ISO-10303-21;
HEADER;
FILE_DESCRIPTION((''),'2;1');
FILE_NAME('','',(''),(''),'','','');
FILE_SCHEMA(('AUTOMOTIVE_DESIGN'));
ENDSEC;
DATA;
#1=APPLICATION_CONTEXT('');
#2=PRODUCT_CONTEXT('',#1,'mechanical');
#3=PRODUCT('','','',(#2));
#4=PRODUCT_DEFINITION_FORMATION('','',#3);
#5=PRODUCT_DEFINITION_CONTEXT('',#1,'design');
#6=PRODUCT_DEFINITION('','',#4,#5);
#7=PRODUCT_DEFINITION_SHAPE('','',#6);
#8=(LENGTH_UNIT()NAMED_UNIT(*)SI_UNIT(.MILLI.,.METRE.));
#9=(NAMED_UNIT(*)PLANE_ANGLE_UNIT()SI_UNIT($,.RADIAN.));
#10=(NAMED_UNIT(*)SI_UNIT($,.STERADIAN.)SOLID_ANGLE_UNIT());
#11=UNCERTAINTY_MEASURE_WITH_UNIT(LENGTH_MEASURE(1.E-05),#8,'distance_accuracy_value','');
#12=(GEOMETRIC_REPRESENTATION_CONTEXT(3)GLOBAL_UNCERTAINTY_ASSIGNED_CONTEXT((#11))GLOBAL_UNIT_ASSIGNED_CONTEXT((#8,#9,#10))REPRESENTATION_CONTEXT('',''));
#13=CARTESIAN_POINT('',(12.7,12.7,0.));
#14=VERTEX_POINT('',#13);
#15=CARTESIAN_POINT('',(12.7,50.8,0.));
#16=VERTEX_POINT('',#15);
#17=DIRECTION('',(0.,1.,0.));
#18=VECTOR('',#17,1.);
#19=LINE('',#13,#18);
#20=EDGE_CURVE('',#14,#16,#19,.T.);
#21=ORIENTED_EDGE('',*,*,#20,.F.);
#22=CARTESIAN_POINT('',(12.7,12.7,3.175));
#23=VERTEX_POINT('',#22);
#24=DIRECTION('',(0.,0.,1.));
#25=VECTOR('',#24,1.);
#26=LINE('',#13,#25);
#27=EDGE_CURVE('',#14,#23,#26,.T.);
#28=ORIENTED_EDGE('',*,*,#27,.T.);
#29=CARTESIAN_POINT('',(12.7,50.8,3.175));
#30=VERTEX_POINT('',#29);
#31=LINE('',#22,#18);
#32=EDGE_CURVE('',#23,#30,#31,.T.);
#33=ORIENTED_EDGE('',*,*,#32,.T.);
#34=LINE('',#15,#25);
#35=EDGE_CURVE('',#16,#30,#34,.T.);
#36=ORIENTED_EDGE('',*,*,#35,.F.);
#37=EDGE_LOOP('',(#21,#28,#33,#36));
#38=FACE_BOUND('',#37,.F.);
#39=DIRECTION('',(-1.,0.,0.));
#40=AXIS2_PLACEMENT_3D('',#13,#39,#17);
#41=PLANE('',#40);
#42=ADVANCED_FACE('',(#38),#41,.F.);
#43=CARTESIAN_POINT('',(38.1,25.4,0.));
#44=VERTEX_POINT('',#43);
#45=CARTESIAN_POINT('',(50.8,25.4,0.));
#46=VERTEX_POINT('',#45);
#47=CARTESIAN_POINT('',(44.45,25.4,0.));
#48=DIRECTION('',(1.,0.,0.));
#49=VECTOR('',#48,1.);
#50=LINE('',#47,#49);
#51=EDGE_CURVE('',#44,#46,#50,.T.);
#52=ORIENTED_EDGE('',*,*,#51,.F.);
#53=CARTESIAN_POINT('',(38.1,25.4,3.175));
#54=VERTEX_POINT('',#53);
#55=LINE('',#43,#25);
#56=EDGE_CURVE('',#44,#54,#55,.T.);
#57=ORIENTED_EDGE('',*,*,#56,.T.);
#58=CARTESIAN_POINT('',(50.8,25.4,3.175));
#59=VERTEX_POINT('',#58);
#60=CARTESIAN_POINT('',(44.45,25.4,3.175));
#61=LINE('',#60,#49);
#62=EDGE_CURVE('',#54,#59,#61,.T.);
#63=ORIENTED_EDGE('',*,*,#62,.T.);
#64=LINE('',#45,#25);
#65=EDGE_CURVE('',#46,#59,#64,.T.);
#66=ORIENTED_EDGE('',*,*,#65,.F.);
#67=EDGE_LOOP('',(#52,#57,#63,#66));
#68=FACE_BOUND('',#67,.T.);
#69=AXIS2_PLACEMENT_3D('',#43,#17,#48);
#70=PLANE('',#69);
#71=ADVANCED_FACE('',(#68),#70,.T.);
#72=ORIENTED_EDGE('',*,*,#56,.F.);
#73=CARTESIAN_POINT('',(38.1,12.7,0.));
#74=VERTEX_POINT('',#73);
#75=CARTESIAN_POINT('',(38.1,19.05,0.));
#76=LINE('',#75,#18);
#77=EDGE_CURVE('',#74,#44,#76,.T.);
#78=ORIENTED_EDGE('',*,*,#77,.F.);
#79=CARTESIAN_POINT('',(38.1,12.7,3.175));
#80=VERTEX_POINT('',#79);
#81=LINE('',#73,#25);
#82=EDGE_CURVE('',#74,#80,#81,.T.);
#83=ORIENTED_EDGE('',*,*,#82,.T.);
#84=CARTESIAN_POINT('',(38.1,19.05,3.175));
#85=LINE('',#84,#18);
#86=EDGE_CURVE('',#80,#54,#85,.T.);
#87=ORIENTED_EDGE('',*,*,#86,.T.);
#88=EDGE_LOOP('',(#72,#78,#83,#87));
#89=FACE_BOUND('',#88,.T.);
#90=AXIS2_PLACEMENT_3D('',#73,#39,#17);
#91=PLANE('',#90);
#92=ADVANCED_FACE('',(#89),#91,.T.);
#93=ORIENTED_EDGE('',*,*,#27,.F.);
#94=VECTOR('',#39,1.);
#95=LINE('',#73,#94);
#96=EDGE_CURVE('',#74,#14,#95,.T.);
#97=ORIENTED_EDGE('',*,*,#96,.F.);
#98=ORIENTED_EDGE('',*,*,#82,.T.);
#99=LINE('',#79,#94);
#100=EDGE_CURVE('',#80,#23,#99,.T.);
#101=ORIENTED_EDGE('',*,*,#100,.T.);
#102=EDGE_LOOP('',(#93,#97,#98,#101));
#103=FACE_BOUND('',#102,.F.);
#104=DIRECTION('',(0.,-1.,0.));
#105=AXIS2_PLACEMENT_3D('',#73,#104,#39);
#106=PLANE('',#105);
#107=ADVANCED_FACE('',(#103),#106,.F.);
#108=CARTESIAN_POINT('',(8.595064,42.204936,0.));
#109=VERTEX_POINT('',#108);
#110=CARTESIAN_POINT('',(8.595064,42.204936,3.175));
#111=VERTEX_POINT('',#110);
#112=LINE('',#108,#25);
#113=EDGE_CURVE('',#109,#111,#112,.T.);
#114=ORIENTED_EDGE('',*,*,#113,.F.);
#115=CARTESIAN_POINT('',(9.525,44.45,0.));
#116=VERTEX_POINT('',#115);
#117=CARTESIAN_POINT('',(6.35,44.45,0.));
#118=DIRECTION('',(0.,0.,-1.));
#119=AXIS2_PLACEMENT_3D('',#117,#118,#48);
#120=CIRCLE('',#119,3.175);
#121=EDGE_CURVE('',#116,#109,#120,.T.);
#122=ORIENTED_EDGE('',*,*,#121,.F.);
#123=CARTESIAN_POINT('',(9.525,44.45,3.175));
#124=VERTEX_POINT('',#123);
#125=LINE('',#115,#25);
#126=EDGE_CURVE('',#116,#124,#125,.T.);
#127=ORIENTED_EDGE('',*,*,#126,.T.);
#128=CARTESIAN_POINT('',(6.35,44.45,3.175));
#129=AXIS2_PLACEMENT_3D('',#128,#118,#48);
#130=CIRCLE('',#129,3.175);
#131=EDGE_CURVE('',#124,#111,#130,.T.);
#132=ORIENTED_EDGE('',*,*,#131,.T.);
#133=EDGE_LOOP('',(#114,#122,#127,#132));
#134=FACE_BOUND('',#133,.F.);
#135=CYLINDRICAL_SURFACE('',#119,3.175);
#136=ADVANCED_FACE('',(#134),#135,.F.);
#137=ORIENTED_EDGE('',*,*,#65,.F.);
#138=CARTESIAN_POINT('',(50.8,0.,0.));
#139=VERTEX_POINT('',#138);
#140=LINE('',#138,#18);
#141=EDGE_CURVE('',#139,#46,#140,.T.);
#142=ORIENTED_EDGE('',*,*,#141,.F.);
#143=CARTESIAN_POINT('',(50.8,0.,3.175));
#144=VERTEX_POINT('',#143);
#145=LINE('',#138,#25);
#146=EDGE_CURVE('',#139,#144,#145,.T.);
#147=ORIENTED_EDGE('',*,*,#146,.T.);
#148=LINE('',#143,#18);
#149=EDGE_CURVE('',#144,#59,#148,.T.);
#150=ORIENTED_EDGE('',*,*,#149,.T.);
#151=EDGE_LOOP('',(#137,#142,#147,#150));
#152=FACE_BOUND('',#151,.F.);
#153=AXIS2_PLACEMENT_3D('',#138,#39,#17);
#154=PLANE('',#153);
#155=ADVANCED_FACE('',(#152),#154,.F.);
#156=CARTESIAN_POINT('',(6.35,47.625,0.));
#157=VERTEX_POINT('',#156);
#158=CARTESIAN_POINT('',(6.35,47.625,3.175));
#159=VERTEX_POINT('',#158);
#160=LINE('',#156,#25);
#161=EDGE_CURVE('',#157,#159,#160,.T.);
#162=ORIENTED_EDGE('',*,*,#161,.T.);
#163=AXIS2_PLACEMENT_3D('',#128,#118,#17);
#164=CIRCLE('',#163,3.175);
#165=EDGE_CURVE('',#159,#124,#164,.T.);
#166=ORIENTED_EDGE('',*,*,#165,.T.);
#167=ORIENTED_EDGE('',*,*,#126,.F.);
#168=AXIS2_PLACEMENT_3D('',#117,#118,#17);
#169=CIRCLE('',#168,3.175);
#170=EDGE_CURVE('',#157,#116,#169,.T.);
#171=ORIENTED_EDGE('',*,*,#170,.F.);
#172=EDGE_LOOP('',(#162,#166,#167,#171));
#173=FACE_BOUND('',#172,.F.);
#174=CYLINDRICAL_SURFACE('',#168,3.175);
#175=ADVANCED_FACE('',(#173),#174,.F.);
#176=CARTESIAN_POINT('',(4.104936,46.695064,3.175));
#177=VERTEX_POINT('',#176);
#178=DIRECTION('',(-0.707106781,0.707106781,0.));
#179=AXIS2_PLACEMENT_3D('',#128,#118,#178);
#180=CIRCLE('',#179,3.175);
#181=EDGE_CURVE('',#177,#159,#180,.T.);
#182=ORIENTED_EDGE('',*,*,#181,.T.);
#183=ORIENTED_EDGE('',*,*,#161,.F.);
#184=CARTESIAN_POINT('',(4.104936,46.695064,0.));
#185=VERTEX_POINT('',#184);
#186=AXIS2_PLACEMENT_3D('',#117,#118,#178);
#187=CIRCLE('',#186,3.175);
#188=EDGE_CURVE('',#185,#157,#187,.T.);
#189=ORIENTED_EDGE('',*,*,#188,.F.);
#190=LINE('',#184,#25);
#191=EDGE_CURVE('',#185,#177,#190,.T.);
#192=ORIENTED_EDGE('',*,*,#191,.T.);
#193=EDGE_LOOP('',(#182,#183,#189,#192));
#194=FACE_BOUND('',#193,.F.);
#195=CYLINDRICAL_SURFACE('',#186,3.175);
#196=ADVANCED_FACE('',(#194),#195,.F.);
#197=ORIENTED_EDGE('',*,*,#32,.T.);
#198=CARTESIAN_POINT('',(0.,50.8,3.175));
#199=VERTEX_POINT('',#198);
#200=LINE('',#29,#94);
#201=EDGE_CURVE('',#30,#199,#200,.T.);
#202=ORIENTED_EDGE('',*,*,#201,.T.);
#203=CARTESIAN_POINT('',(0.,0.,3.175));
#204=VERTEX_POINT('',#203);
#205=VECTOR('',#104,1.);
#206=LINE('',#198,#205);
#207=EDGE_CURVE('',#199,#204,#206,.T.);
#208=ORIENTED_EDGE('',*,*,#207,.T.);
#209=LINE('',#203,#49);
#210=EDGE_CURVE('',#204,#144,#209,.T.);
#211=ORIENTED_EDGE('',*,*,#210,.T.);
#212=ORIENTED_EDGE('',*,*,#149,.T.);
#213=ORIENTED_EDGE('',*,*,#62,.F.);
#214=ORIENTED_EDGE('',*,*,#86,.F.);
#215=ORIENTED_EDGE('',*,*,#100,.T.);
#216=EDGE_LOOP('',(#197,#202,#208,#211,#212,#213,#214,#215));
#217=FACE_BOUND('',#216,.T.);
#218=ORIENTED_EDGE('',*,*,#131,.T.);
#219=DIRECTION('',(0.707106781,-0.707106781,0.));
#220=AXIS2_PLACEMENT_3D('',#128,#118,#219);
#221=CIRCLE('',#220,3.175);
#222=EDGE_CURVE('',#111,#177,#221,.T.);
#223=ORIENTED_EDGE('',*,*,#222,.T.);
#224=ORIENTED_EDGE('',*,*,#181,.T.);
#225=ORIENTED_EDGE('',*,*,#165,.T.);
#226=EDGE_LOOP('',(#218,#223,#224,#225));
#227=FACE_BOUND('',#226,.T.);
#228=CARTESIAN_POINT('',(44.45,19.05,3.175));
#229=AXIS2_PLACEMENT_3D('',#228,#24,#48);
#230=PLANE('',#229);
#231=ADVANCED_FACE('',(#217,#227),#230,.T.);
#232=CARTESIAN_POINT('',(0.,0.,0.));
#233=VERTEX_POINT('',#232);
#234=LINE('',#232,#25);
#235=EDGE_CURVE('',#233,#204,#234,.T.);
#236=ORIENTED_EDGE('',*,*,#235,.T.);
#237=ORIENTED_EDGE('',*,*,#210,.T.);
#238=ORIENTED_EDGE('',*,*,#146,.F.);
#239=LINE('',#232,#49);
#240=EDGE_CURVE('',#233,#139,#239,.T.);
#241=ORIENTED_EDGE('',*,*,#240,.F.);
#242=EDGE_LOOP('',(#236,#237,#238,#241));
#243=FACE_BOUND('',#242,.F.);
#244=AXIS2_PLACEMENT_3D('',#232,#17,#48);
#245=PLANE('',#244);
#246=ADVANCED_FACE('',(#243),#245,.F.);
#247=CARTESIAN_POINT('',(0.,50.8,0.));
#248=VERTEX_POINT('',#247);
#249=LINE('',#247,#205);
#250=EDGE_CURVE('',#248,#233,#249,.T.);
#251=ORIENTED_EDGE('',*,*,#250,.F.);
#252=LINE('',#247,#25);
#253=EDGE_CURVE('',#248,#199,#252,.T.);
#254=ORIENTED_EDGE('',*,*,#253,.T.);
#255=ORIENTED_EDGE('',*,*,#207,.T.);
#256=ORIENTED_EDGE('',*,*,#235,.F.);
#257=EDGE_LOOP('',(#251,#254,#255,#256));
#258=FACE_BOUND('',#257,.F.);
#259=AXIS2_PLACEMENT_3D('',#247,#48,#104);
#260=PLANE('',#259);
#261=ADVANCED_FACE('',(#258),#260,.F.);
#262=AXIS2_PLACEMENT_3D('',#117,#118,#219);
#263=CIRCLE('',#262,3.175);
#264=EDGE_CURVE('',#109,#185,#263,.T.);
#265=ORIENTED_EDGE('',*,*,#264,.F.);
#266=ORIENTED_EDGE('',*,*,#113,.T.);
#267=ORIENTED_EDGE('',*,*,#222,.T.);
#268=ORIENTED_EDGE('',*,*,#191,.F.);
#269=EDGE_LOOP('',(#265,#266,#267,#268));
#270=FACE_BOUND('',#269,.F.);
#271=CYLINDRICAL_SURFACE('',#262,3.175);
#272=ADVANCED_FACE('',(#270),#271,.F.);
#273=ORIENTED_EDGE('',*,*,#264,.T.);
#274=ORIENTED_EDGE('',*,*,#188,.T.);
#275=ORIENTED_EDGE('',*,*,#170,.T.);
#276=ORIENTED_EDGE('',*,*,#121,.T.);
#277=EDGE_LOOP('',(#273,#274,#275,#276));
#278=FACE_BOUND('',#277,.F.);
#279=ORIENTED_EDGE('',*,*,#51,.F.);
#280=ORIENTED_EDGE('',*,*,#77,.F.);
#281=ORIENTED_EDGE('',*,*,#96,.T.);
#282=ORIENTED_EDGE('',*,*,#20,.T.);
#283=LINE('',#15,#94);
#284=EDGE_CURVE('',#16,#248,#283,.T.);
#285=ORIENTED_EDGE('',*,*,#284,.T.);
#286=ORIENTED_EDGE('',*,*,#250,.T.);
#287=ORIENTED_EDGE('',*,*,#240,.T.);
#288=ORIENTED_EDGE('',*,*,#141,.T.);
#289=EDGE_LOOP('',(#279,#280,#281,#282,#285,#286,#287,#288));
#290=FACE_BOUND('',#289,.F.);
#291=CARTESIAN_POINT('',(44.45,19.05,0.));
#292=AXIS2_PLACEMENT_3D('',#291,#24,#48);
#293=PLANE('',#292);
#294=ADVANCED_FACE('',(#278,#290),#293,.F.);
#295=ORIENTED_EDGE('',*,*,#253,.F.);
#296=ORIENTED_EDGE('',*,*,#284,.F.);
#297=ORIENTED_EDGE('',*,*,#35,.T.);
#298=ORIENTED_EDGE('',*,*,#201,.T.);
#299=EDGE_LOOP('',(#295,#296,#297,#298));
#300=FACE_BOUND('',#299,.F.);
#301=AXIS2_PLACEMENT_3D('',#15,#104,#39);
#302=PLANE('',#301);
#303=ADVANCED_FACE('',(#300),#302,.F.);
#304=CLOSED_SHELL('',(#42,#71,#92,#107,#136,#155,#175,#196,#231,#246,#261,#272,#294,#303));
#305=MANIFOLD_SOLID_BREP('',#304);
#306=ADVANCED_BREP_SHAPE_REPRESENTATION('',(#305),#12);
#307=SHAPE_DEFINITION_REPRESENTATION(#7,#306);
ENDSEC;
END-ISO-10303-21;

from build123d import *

# Parameters (mm, degrees)
F0_W     = 12.7
F0_H     = 12.7
F1_DEPTH = 3.175


with BuildPart() as f1:
    # F0 (on Top) → F1 (new body)
    with BuildSketch(Plane.XY):
        with Locations((44.45, 19.05)):
            Rectangle(F0_W, F0_H)
        Polygon((38.1, 12.7), (50.8, 0), (50.8, 12.7), align=None)
        Polygon((12.7, 12.7), (12.7, 0), (50.8, 0), (38.1, 12.7), align=None)
        with BuildLine():
            Line((4.1049359697, 46.6950640303), (0, 50.8))
            Line((0, 50.8), (0, 0))
            Line((0, 0), (12.7, 0))
            Line((12.7, 0), (12.7, 12.7))
            Line((12.7, 12.7), (12.7, 38.1))
            Line((12.7, 38.1), (8.5950640303, 42.2049359697))
            ThreePointArc((8.5950640303, 42.2049359697), (4.1049359697, 42.2049359697), (4.1049359697, 46.6950640303))
        make_face()
        with BuildLine():
            Line((12.7, 50.8), (6.35, 50.8))
            Line((6.35, 50.8), (6.35, 47.625))
            ThreePointArc((6.35, 47.625), (8.5950640303, 46.6950640303), (9.525, 44.45))
            ThreePointArc((9.525, 44.45), (9.2833175157, 43.2349801022), (8.5950640303, 42.2049359697))
            Line((8.5950640303, 42.2049359697), (12.7, 38.1))
            Line((12.7, 38.1), (12.7, 50.8))
        make_face()
        with BuildLine():
            Line((6.35, 50.8), (0, 50.8))
            Line((0, 50.8), (4.1049359697, 46.6950640303))
            ThreePointArc((4.1049359697, 46.6950640303), (5.1349801022, 47.3833175157), (6.35, 47.625))
            Line((6.35, 47.625), (6.35, 50.8))
        make_face()
    extrude(amount=F1_DEPTH)


solid = f1.part
